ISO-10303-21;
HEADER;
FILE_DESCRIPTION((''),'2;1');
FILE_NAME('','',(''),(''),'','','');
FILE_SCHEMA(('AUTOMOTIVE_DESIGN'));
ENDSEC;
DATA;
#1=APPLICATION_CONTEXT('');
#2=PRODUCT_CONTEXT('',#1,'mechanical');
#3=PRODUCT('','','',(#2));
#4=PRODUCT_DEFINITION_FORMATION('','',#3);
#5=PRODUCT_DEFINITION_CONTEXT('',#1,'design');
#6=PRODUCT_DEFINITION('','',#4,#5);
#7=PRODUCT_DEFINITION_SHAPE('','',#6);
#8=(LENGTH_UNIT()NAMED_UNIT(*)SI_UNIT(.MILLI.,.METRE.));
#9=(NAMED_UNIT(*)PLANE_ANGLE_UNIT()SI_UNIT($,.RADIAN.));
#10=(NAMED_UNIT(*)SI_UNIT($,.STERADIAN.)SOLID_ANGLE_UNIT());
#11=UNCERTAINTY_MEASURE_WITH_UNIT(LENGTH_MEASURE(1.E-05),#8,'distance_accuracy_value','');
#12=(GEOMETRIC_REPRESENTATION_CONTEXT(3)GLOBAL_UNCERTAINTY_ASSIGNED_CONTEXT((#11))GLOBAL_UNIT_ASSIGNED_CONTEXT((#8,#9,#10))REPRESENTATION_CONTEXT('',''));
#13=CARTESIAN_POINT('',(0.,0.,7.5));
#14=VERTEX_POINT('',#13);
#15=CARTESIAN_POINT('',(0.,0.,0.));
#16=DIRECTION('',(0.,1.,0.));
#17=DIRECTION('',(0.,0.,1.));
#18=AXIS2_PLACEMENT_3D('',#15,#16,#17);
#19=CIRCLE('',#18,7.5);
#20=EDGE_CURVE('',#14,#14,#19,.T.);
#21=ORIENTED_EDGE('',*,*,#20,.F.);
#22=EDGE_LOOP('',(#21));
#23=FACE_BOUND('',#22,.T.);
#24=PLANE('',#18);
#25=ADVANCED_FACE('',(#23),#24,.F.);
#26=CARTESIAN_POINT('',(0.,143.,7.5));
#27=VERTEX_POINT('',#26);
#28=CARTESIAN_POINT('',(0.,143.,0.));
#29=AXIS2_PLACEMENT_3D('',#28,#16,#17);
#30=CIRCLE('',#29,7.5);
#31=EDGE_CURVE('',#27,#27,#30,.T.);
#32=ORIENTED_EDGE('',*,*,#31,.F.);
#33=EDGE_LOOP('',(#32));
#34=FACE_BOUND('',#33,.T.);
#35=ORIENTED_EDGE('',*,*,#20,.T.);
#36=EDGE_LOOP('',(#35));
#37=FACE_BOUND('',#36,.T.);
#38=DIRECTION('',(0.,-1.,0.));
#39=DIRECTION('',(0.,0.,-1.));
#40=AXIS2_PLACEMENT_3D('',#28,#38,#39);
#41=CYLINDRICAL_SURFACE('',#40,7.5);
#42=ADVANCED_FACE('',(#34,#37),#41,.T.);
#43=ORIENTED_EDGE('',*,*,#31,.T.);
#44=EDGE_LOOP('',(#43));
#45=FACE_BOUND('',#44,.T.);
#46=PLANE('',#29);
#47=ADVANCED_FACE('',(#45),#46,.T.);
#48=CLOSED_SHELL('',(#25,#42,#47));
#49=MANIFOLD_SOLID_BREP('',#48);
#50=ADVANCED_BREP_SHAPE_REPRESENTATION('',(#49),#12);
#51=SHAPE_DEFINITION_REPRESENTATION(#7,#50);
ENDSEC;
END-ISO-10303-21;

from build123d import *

# Parameters (mm, degrees)
IZIM1_R                     = 7.5
Y_KSEKLIK_EKSTR_ZYON1_DEPTH = 143


with BuildPart() as part:
    # Çizim1 → Yükseklik-Ekstrüzyon1 (new body)
    with BuildSketch(Plane(origin=(0, 0, 0), x_dir=(1, 0, 0), z_dir=(0, 1, 0))):
        with Locations(Location((0, 0, 0), (0, 0, 270))):
            Circle(IZIM1_R)
    extrude(amount=Y_KSEKLIK_EKSTR_ZYON1_DEPTH)


solid = part.part
